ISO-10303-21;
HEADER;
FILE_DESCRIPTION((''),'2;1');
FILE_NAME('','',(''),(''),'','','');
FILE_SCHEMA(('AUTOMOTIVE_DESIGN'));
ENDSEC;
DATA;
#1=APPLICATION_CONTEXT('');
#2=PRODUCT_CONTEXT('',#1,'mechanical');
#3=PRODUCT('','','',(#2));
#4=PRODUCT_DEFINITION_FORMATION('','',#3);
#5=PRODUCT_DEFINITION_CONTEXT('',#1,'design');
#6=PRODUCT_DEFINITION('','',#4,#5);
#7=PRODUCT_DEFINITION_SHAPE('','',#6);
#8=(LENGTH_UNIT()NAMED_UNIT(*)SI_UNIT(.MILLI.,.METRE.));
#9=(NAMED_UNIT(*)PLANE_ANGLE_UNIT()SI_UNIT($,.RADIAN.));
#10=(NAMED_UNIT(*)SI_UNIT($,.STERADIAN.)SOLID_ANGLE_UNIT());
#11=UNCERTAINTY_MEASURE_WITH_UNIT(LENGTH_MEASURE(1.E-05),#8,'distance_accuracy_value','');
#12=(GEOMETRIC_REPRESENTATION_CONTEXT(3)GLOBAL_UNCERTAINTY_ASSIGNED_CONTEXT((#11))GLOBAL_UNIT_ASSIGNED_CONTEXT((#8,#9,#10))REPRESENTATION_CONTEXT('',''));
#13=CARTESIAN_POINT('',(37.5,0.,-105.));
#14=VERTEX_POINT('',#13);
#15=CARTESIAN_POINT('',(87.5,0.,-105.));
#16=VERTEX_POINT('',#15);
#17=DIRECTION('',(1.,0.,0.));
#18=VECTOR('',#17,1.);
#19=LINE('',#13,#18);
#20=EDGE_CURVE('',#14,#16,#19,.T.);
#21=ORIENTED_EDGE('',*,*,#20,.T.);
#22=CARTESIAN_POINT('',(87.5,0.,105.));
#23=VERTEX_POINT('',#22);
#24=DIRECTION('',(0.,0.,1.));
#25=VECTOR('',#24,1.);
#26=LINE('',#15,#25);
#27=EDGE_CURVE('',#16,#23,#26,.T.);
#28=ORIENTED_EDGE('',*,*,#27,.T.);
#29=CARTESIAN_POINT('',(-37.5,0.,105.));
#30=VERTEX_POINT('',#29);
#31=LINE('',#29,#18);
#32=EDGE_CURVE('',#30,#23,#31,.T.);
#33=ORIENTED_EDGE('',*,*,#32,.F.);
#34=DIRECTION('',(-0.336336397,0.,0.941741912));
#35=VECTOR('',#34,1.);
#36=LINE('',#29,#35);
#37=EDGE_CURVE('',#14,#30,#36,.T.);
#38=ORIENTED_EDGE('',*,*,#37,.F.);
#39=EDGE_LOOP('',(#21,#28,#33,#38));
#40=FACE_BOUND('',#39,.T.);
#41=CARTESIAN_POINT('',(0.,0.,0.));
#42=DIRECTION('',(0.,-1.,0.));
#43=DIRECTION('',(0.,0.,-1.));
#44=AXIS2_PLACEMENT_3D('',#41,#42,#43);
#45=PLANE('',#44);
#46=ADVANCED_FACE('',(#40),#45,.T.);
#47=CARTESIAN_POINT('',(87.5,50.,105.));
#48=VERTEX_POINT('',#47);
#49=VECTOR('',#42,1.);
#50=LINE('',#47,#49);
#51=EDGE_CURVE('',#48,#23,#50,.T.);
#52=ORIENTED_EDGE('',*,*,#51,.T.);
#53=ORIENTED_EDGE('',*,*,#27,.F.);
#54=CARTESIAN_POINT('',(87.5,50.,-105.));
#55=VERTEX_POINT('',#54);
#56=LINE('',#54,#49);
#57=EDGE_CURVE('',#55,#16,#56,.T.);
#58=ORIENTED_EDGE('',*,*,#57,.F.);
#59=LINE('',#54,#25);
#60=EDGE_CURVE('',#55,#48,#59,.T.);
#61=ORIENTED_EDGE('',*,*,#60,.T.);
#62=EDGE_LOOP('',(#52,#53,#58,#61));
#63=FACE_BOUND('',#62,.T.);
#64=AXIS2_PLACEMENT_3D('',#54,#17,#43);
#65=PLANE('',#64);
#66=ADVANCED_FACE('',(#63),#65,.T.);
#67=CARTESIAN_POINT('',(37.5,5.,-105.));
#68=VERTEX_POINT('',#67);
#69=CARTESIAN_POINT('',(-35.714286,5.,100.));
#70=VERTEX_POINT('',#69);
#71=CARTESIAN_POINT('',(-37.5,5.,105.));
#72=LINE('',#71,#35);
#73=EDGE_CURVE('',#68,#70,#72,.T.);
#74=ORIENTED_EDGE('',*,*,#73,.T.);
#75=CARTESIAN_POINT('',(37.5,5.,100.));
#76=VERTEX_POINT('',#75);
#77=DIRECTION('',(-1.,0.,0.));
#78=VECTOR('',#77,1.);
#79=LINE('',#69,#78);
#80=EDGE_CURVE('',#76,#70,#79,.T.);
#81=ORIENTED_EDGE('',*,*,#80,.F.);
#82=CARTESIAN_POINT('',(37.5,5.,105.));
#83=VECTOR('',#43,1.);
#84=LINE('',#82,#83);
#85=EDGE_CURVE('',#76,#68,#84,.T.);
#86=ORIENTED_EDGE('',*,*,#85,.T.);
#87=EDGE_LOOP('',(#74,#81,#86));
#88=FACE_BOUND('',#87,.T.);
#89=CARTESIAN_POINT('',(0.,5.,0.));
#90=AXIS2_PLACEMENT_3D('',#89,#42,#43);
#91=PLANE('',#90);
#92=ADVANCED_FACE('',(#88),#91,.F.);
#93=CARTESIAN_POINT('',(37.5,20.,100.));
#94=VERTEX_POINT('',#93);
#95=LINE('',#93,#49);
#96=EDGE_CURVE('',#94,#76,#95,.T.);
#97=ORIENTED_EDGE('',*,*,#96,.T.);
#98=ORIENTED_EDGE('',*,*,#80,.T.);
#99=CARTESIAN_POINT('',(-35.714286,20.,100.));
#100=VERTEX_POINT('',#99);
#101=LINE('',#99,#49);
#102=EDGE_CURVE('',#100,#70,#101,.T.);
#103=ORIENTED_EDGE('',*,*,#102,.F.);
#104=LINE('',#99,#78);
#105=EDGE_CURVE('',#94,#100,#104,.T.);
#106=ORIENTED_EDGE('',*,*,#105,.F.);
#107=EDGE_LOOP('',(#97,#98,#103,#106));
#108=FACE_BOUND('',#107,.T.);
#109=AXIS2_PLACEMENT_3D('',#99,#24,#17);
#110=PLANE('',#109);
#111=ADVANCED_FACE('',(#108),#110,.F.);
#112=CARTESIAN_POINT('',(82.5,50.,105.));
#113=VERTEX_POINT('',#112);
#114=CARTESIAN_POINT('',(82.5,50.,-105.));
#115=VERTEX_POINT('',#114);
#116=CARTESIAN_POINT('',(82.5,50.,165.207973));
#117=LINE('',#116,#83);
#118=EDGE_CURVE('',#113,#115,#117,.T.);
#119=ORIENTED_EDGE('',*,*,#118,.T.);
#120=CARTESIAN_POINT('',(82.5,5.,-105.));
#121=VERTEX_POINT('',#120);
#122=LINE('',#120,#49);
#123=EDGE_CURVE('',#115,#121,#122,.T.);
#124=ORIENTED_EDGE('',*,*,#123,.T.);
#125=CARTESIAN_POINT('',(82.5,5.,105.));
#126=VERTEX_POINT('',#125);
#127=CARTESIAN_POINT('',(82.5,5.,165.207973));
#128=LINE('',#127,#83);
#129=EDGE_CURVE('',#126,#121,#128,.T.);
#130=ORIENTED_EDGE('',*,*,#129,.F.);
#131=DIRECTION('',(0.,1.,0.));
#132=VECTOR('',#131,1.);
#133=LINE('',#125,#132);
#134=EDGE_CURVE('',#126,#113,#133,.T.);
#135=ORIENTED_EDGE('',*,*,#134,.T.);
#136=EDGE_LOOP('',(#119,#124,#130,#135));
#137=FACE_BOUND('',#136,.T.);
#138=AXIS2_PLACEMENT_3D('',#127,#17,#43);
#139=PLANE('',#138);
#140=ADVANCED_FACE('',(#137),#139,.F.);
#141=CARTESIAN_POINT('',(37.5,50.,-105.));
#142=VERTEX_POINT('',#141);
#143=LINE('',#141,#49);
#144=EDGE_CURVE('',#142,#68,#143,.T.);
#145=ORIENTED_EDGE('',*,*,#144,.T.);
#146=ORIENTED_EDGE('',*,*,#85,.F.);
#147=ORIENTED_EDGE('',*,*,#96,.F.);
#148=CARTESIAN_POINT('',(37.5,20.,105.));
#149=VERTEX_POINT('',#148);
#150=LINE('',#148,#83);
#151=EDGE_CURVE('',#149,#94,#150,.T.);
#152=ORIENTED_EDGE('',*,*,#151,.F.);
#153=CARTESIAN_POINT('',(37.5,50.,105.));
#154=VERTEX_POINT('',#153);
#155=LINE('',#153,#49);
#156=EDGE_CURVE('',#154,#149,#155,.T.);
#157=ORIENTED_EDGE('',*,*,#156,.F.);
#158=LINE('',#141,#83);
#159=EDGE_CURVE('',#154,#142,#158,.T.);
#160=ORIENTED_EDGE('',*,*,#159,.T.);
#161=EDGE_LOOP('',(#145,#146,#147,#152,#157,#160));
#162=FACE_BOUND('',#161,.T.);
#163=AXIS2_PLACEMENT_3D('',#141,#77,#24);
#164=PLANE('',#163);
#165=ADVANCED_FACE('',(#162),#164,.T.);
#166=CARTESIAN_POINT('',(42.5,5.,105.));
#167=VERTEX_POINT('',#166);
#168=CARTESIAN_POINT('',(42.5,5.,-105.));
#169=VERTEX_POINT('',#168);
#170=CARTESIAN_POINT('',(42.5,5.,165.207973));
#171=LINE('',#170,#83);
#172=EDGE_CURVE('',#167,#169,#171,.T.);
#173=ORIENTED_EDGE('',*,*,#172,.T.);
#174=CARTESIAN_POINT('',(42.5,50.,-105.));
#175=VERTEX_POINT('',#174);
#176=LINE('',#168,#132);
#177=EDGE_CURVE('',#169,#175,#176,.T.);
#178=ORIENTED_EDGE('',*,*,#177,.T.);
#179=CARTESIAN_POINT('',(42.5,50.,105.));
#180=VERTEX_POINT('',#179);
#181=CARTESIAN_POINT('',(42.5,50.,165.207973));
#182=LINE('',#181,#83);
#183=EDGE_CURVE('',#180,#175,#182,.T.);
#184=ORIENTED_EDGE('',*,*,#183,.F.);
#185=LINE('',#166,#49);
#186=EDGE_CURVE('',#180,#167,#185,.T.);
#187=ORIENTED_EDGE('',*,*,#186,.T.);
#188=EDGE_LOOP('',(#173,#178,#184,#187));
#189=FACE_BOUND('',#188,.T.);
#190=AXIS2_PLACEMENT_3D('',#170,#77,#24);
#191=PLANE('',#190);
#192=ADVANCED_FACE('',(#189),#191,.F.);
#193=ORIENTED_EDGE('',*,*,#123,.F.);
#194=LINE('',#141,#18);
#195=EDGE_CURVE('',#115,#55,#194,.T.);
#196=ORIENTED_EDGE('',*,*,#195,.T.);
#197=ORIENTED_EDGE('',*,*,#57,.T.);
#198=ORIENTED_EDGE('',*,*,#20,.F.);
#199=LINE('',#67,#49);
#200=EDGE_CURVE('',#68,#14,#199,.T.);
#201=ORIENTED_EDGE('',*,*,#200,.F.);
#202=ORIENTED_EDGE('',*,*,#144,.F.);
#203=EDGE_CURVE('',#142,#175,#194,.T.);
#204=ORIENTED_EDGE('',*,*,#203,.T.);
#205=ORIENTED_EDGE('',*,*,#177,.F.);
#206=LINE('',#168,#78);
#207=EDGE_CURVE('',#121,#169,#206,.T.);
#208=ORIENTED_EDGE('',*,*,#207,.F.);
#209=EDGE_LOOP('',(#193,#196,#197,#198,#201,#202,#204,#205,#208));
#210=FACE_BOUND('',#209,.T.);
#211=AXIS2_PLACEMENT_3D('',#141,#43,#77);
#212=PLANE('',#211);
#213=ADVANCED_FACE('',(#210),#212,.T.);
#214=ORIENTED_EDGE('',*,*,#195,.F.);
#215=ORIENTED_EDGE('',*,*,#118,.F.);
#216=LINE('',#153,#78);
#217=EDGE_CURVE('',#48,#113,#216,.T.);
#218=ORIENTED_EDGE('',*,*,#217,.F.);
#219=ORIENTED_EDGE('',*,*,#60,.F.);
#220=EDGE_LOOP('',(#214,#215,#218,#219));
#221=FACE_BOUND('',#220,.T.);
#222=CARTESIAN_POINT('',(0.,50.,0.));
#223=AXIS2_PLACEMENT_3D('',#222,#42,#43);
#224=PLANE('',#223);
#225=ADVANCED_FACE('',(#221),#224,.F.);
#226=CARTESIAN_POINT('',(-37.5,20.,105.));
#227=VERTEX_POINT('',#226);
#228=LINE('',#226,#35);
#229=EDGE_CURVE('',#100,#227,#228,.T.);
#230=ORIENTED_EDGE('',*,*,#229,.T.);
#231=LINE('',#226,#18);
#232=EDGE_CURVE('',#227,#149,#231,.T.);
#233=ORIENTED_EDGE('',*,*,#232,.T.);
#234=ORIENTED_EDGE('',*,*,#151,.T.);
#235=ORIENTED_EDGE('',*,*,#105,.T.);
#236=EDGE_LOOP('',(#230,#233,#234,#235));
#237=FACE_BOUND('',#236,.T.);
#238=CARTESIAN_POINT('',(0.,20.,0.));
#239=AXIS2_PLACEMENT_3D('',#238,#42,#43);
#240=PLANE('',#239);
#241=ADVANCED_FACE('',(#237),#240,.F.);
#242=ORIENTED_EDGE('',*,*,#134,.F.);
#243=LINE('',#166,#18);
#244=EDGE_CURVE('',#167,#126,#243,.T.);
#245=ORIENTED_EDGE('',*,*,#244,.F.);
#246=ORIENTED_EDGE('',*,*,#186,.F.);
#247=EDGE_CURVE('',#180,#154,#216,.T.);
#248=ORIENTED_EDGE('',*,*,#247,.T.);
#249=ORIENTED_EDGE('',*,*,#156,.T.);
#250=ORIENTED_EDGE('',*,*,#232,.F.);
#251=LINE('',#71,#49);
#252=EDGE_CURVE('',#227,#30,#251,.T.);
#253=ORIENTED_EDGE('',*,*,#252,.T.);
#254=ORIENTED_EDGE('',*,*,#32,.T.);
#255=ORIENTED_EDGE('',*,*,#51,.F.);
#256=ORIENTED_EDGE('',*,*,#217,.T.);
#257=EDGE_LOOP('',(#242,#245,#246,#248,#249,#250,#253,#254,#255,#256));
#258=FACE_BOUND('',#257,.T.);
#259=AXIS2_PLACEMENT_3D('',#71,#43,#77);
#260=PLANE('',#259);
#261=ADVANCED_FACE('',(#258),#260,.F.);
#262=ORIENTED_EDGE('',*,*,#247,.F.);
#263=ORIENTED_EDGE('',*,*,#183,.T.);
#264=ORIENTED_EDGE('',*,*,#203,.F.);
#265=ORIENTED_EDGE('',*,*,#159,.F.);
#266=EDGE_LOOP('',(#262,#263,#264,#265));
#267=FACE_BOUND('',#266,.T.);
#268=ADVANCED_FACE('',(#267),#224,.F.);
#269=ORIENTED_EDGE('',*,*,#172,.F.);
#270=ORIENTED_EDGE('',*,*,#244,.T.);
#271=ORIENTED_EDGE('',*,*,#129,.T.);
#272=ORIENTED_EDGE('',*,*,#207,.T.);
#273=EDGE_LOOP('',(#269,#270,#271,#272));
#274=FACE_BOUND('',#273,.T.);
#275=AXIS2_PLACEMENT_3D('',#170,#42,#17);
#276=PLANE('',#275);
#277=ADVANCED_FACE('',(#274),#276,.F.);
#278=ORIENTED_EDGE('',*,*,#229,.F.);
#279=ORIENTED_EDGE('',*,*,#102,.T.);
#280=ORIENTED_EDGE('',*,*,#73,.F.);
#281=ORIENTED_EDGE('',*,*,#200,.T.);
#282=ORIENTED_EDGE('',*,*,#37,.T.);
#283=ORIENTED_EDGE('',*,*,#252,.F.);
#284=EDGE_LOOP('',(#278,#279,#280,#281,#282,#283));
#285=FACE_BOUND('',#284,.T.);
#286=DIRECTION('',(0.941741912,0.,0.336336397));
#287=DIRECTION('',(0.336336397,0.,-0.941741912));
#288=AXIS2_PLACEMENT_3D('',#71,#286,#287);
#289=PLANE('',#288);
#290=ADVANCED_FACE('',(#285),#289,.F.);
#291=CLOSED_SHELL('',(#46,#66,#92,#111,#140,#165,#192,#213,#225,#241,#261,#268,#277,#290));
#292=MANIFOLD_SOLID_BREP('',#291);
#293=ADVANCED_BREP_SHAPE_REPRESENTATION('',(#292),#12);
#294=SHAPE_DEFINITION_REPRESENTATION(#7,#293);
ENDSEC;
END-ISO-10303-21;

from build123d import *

# Parameters (mm, degrees)
BOSS_EXTRUDE1_DEPTH = 5
BOSS_EXTRUDE2_DEPTH = 15
SKETCH3_W           = 50
SKETCH3_H           = 210
BOSS_EXTRUDE3_DEPTH = 50
SKETCH4_W           = 40
SKETCH4_H           = 45
CUT_EXTRUDE2_DEPTH  = 210


with BuildPart() as part:
    # Sketch1 → Boss-Extrude1 (new body)
    with BuildSketch(Plane(origin=(0, 0, 0), x_dir=(1, 0, 0), z_dir=(0, 1, 0))):
        Polygon((-37.5, -105), (37.5, 105), (37.5, -105), align=None)
    extrude(amount=BOSS_EXTRUDE1_DEPTH)

    # Sketch2 → Boss-Extrude2 (add)
    with BuildSketch(Plane(origin=(0, 5, 0), x_dir=(1, 0, 0), z_dir=(0, 1, 0))):
        Polygon((-37.5, -105), (37.5, -105), (37.5, -100), (-35.714285714, -100), align=None)
    extrude(amount=BOSS_EXTRUDE2_DEPTH)

    # Sketch3 → Boss-Extrude3 (add)
    with BuildSketch(Plane.XZ):
        with Locations((62.5, 0)):
            Rectangle(SKETCH3_W, SKETCH3_H)
    extrude(amount=-BOSS_EXTRUDE3_DEPTH)

    # Sketch4 → Cut-Extrude2 (cut)
    with BuildSketch(Plane(origin=(0, 0, -105), x_dir=(-1, 0, 0), z_dir=(0, 0, -1))):
        with Locations((-62.5, 27.5)):
            Rectangle(SKETCH4_W, SKETCH4_H)
    extrude(amount=-CUT_EXTRUDE2_DEPTH, mode=Mode.SUBTRACT)


solid = part.part
